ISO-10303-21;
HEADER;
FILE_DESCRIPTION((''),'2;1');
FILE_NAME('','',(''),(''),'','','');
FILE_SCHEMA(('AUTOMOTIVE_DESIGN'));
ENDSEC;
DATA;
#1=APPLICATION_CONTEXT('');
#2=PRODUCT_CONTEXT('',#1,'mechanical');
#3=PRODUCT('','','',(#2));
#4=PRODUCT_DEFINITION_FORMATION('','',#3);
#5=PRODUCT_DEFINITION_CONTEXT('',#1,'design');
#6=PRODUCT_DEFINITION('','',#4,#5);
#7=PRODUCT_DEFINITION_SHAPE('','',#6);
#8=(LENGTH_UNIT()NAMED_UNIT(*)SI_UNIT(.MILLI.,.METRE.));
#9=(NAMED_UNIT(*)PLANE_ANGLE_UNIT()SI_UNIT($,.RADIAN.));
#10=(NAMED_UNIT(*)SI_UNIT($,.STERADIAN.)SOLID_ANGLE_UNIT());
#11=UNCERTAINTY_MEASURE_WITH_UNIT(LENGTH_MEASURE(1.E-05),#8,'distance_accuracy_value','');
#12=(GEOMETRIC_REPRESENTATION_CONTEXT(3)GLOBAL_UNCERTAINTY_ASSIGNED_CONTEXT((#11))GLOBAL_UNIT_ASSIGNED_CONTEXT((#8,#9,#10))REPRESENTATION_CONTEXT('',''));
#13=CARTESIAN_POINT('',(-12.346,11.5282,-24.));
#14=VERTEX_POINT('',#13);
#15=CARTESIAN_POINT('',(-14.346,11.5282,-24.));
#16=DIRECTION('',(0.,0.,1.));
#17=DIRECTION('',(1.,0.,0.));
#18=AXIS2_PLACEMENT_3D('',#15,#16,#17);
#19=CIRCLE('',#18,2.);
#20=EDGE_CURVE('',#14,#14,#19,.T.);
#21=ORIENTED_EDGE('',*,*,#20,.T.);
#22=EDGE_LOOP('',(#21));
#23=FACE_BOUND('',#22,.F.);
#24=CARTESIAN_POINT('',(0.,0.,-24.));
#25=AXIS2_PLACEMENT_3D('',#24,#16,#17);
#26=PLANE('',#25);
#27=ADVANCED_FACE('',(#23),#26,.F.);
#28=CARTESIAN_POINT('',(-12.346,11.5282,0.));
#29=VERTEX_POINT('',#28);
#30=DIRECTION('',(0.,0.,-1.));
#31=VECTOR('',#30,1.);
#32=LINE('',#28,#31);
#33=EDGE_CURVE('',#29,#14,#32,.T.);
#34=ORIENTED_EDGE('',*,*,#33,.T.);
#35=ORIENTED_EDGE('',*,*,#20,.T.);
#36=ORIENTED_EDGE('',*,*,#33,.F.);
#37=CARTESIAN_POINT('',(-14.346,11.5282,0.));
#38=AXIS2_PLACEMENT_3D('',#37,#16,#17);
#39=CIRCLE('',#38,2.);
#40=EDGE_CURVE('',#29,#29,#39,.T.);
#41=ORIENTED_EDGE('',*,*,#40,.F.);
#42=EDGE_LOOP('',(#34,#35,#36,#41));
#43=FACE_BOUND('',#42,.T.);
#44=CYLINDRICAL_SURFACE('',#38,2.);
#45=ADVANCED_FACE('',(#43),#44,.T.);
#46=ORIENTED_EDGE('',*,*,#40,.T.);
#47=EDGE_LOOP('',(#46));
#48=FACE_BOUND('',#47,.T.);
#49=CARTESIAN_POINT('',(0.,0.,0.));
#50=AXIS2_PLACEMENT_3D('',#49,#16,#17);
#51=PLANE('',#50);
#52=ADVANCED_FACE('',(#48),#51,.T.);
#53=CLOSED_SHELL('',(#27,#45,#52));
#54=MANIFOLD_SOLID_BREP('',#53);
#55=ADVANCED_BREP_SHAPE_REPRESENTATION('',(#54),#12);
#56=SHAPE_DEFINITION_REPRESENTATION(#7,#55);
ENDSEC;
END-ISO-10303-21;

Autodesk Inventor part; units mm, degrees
ref_plane "YZ Plane" through (0, 0, 0) normal (1, 0, 0) x (0, 1, 0)
ref_plane "XZ Plane" through (0, 0, 0) normal (0, 1, 0) x (-1, 0, 0)
ref_plane "XY Plane" through (0, 0, 0) normal (0, 0, 1) x (1, 0, 0)
sketch "Sketch1" plane through (0, 0, 0) normal (0, 0, 1) x (1, 0, 0)
  line L0 (19.6493, 54.0192) -> (19.6493, 51.5192) projected
  line L1 (19.6493, 51.5192) -> (17.1493, 50.3535) projected
  line L2 (17.1493, 50.3535) -> (17.1493, 47.8535) projected
  line L3 (17.1493, 47.8535) -> (19.6493, 46.6877) projected
  line L4 (19.6493, 46.6877) -> (19.6493, 44.1877) projected
  line L5 (19.6493, 44.1877) -> (17.1493, 43.0219) projected
  line L6 (17.1493, 43.0219) -> (17.1493, 40.5219) projected
  line L7 (17.1493, 40.5219) -> (19.6493, 39.3562) projected
  line L8 (19.6493, 39.3562) -> (19.6493, 36.8562) projected
  line L9 (19.6493, 36.8562) -> (17.1493, 35.6904) projected
  line L10 (17.1493, 35.6904) -> (17.1493, 33.1904) projected
  line L11 (17.1493, 33.1904) -> (19.6493, 32.0246) projected
  line L12 (19.6493, 32.0246) -> (19.6493, 29.5246) projected
  line L13 (19.6493, 29.5246) -> (17.1493, 28.3588) projected
  line L14 (17.1493, 28.3588) -> (17.1493, 27.685) projected
  arc A0 (16.1428, 26.9802) -> (17.1493, 27.685) centre (16.3993, 27.685) ccw projected
  line L15 (16.1428, 26.9802) -> (10.6172, 28.9914) projected
  line L16 (10.6172, 28.9914) -> (-10.596, 7.7782) projected
  line L17 (-10.596, 7.7782) -> (-10.596, -7.2218) projected
  line L18 (-10.596, -7.2218) -> (10.6172, -28.435) projected
  line L19 (10.6172, -28.435) -> (10.6172, -58.435) projected
  line L20 (10.6172, -58.435) -> (0.6172, -58.435) projected
  line L21 (0.6172, -58.435) -> (0.6172, -33.435) projected
  line L22 (0.6172, -33.435) -> (-18.096, -14.7218) projected
  arc A1 (-19.6493, -10.9718) -> (-18.096, -14.7218) centre (-14.346, -10.9718) ccw projected
  line L23 (-19.6493, -10.9718) -> (-19.6493, 11.5282) projected
  arc A2 (-18.096, 15.2782) -> (-19.6493, 11.5282) centre (-14.346, 11.5282) ccw projected
  line L24 (-18.096, 15.2782) -> (10.6172, 43.9914) projected
  line L25 (10.6172, 43.9914) -> (15.6946, 57.9415) projected
  arc A3 (17.1493, 57.685) -> (15.6946, 57.9415) centre (16.3993, 57.685) ccw projected
  line L26 (17.1493, 57.685) -> (17.1493, 55.185) projected
  line L27 (17.1493, 55.185) -> (19.6493, 54.0192) projected
  circle A4 centre (5.6172, -50.935) radius 2 projected
  circle A5 centre (5.6172, -35.935) radius 2 projected
  circle A6 centre (-14.346, 11.5282) radius 2 projected
  circle A7 centre (-14.346, -10.9718) radius 2 projected
  circle A8 centre (10.6172, 36.4914) radius 2 projected
  point P0 (0, 0)
extrude "Extrusion1" add sketch "Sketch1" against normal blind 24 contours A6
properties part number "claw_connecting_rod"
